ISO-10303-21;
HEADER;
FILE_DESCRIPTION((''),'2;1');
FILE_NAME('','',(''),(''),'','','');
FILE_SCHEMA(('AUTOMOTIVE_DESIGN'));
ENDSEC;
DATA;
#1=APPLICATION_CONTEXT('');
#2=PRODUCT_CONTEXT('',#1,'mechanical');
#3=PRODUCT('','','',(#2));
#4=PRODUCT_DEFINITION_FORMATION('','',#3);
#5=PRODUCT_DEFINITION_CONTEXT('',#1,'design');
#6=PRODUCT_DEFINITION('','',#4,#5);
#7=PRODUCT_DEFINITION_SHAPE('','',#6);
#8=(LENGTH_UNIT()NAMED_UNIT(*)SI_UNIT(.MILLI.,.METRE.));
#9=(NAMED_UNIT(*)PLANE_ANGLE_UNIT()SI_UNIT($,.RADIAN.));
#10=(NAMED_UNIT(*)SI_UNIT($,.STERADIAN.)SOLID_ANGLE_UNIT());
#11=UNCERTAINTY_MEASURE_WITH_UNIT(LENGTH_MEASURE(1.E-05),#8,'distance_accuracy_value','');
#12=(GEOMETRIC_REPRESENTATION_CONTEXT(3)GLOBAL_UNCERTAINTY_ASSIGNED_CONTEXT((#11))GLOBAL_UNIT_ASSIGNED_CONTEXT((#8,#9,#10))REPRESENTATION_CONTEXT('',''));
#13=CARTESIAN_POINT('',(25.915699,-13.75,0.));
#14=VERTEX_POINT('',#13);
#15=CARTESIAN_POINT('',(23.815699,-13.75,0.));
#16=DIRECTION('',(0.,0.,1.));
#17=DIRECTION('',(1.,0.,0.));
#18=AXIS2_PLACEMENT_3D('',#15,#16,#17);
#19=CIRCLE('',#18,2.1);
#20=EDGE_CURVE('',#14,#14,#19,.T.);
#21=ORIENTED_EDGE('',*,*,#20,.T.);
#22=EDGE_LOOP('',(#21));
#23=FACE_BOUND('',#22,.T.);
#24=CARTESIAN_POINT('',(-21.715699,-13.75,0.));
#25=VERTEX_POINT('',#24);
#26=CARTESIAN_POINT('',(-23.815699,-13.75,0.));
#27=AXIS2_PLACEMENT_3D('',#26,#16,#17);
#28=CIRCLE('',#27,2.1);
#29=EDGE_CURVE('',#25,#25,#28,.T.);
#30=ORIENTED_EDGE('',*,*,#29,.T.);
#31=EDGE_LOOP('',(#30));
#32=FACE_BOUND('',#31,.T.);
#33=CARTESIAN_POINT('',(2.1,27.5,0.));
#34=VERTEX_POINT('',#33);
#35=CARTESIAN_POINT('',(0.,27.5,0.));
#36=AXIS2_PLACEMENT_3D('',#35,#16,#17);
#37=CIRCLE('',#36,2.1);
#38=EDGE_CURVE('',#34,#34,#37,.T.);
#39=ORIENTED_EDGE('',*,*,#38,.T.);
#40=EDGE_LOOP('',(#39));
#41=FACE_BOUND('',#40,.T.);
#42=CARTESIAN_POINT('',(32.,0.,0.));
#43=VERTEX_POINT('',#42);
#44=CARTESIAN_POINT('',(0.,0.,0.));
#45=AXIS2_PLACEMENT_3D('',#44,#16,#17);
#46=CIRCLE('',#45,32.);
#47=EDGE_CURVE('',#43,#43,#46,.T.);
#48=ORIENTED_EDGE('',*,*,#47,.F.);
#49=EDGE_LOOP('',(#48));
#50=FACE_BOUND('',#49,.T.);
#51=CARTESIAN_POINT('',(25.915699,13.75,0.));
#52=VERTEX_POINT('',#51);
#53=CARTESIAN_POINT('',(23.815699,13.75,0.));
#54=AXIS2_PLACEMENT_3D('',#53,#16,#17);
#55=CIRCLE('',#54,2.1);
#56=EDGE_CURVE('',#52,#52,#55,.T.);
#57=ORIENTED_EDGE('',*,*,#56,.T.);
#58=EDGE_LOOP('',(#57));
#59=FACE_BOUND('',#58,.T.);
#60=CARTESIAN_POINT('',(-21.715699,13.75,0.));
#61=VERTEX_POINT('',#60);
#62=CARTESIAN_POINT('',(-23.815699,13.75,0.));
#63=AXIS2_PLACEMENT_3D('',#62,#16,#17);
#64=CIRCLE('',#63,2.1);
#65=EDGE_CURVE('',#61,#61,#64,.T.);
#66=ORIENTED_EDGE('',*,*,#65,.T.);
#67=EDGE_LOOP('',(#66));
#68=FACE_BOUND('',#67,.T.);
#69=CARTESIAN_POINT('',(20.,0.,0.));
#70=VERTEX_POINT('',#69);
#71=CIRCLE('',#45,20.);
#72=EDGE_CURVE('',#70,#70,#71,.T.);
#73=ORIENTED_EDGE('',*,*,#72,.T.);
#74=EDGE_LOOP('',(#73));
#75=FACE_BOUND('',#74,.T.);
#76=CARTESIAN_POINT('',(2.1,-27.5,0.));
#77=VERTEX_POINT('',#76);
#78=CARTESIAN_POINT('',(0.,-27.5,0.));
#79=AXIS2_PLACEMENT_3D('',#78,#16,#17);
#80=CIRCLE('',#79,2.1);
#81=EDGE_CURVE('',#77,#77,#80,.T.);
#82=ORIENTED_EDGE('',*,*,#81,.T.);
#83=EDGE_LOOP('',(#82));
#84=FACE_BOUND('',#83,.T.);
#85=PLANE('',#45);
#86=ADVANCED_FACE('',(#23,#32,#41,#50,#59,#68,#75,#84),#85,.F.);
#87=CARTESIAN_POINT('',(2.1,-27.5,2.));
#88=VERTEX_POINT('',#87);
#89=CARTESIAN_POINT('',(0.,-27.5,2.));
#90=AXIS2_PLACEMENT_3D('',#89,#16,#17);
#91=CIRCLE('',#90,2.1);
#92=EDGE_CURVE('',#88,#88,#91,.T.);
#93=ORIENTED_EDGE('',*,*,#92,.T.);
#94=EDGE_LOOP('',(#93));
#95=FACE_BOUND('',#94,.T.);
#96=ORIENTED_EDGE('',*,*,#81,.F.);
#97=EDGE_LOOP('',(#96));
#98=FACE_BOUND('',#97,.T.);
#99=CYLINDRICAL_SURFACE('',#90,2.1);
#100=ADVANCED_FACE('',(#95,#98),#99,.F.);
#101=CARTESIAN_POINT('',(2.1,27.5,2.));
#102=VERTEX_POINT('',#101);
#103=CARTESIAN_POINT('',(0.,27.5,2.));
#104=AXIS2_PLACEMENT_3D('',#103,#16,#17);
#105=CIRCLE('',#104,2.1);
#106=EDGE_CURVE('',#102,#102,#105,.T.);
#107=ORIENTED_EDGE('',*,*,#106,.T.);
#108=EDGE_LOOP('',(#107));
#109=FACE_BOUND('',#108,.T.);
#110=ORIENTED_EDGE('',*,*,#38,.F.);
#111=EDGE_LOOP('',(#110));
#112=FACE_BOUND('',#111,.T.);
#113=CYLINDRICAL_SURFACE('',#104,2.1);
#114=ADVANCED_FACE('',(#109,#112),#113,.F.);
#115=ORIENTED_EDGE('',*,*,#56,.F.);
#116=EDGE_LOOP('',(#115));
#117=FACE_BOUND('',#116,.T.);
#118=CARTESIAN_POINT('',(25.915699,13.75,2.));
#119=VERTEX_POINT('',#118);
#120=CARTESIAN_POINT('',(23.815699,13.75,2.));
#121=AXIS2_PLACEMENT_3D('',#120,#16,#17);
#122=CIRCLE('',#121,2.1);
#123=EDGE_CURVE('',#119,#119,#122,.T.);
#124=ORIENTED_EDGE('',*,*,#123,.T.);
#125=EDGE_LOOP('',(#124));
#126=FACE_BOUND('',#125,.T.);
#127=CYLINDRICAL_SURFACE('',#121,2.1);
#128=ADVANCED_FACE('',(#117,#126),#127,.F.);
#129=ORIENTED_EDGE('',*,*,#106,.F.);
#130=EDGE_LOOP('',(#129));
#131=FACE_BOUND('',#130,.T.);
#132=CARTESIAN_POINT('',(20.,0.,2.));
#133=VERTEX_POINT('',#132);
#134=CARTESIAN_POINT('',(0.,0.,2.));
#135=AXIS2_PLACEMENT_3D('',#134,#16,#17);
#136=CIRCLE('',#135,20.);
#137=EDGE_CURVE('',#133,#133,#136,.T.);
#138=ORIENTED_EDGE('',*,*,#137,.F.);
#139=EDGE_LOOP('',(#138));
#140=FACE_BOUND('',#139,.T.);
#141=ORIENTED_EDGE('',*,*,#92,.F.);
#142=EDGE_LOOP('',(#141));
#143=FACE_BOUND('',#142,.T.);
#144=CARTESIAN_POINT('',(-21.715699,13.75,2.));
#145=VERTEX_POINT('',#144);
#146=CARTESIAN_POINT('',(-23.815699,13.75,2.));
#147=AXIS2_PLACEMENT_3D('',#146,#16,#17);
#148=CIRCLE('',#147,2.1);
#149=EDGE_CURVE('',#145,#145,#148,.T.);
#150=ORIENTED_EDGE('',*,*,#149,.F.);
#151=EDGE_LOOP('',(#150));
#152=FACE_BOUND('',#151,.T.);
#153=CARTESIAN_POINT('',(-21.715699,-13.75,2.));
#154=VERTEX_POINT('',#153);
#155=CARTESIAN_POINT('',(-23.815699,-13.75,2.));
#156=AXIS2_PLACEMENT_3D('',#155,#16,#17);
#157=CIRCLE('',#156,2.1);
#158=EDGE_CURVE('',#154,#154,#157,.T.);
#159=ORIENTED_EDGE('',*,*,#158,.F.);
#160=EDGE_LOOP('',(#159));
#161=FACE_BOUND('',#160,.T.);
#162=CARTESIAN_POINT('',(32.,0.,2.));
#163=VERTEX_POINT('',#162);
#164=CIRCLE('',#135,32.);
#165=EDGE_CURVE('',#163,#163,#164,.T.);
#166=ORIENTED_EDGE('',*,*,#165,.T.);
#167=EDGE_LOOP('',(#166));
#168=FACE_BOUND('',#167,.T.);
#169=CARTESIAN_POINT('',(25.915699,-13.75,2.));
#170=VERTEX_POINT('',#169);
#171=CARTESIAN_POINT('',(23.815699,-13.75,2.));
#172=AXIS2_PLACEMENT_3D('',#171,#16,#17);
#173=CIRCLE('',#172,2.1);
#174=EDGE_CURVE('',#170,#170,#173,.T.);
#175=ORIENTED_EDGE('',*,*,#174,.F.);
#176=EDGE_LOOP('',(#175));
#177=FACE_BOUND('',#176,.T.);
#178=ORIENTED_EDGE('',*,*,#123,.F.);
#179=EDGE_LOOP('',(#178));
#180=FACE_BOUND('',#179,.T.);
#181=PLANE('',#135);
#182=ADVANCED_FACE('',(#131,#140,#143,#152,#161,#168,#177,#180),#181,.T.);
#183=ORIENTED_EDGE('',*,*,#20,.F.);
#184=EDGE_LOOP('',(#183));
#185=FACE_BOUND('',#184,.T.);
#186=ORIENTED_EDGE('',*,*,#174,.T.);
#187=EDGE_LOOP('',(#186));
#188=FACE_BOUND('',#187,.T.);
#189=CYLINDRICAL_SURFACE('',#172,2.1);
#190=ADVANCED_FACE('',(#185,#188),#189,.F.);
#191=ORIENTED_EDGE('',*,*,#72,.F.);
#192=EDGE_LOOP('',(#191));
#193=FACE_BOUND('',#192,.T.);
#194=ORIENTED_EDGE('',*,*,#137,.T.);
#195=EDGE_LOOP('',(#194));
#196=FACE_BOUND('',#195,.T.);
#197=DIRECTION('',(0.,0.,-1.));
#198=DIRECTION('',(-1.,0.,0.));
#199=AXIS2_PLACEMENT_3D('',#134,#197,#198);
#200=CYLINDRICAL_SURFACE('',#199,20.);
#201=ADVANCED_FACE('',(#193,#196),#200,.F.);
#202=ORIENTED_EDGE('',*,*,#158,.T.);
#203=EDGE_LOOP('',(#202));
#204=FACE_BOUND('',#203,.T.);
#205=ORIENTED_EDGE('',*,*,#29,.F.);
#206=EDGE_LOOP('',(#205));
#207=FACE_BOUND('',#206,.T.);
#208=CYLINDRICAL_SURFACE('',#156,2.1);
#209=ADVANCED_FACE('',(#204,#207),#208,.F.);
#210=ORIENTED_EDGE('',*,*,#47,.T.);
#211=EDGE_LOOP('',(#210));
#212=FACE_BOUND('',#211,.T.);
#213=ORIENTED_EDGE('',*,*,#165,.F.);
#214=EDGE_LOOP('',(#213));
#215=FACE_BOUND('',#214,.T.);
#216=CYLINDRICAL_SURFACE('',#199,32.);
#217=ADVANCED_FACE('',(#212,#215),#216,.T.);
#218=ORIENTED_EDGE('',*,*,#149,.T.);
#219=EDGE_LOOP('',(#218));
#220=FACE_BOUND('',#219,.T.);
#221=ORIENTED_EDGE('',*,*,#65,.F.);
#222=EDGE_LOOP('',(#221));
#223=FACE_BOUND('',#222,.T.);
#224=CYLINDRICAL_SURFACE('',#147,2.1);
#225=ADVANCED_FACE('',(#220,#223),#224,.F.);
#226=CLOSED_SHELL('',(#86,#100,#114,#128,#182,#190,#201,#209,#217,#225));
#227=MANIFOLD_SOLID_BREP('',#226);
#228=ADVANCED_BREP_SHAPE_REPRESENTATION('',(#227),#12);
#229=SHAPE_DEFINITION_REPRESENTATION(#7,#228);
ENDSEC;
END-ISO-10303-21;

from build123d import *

# Parameters (mm, degrees)
SKETCH_1_R               = 32
SKETCH_1_R_2             = 20
EXTRUDE_1_DEPTH          = 2
HOLE_WIZARD_M41_D        = 4.2
PATTERN_CIRCULAR_1_COUNT = 6


with BuildPart() as part:
    # Эскиз1 → Бобышка-Вытянуть1 (new body)
    with BuildSketch(Plane.XY):
        Circle(SKETCH_1_R)
        Circle(SKETCH_1_R_2, mode=Mode.SUBTRACT)
    extrude(amount=EXTRUDE_1_DEPTH)

    # Сверло под метчик  спиральное M41 (through all)
    with Locations(Plane.XY.offset(2)):
        with Locations((0, 27.5)):
            hole_wizard_m41 = Hole(HOLE_WIZARD_M41_D / 2)

    # Круговой массив1: Сверло под метчик  спиральное M41 ×6 about axis
    pattern_circular_1_axis = Axis((0, 0, 0), (0, 0, 1))
    for i in range(1, PATTERN_CIRCULAR_1_COUNT):
        add(hole_wizard_m41.rotate(pattern_circular_1_axis, i * 360 / PATTERN_CIRCULAR_1_COUNT), mode=Mode.SUBTRACT)


solid = part.part
